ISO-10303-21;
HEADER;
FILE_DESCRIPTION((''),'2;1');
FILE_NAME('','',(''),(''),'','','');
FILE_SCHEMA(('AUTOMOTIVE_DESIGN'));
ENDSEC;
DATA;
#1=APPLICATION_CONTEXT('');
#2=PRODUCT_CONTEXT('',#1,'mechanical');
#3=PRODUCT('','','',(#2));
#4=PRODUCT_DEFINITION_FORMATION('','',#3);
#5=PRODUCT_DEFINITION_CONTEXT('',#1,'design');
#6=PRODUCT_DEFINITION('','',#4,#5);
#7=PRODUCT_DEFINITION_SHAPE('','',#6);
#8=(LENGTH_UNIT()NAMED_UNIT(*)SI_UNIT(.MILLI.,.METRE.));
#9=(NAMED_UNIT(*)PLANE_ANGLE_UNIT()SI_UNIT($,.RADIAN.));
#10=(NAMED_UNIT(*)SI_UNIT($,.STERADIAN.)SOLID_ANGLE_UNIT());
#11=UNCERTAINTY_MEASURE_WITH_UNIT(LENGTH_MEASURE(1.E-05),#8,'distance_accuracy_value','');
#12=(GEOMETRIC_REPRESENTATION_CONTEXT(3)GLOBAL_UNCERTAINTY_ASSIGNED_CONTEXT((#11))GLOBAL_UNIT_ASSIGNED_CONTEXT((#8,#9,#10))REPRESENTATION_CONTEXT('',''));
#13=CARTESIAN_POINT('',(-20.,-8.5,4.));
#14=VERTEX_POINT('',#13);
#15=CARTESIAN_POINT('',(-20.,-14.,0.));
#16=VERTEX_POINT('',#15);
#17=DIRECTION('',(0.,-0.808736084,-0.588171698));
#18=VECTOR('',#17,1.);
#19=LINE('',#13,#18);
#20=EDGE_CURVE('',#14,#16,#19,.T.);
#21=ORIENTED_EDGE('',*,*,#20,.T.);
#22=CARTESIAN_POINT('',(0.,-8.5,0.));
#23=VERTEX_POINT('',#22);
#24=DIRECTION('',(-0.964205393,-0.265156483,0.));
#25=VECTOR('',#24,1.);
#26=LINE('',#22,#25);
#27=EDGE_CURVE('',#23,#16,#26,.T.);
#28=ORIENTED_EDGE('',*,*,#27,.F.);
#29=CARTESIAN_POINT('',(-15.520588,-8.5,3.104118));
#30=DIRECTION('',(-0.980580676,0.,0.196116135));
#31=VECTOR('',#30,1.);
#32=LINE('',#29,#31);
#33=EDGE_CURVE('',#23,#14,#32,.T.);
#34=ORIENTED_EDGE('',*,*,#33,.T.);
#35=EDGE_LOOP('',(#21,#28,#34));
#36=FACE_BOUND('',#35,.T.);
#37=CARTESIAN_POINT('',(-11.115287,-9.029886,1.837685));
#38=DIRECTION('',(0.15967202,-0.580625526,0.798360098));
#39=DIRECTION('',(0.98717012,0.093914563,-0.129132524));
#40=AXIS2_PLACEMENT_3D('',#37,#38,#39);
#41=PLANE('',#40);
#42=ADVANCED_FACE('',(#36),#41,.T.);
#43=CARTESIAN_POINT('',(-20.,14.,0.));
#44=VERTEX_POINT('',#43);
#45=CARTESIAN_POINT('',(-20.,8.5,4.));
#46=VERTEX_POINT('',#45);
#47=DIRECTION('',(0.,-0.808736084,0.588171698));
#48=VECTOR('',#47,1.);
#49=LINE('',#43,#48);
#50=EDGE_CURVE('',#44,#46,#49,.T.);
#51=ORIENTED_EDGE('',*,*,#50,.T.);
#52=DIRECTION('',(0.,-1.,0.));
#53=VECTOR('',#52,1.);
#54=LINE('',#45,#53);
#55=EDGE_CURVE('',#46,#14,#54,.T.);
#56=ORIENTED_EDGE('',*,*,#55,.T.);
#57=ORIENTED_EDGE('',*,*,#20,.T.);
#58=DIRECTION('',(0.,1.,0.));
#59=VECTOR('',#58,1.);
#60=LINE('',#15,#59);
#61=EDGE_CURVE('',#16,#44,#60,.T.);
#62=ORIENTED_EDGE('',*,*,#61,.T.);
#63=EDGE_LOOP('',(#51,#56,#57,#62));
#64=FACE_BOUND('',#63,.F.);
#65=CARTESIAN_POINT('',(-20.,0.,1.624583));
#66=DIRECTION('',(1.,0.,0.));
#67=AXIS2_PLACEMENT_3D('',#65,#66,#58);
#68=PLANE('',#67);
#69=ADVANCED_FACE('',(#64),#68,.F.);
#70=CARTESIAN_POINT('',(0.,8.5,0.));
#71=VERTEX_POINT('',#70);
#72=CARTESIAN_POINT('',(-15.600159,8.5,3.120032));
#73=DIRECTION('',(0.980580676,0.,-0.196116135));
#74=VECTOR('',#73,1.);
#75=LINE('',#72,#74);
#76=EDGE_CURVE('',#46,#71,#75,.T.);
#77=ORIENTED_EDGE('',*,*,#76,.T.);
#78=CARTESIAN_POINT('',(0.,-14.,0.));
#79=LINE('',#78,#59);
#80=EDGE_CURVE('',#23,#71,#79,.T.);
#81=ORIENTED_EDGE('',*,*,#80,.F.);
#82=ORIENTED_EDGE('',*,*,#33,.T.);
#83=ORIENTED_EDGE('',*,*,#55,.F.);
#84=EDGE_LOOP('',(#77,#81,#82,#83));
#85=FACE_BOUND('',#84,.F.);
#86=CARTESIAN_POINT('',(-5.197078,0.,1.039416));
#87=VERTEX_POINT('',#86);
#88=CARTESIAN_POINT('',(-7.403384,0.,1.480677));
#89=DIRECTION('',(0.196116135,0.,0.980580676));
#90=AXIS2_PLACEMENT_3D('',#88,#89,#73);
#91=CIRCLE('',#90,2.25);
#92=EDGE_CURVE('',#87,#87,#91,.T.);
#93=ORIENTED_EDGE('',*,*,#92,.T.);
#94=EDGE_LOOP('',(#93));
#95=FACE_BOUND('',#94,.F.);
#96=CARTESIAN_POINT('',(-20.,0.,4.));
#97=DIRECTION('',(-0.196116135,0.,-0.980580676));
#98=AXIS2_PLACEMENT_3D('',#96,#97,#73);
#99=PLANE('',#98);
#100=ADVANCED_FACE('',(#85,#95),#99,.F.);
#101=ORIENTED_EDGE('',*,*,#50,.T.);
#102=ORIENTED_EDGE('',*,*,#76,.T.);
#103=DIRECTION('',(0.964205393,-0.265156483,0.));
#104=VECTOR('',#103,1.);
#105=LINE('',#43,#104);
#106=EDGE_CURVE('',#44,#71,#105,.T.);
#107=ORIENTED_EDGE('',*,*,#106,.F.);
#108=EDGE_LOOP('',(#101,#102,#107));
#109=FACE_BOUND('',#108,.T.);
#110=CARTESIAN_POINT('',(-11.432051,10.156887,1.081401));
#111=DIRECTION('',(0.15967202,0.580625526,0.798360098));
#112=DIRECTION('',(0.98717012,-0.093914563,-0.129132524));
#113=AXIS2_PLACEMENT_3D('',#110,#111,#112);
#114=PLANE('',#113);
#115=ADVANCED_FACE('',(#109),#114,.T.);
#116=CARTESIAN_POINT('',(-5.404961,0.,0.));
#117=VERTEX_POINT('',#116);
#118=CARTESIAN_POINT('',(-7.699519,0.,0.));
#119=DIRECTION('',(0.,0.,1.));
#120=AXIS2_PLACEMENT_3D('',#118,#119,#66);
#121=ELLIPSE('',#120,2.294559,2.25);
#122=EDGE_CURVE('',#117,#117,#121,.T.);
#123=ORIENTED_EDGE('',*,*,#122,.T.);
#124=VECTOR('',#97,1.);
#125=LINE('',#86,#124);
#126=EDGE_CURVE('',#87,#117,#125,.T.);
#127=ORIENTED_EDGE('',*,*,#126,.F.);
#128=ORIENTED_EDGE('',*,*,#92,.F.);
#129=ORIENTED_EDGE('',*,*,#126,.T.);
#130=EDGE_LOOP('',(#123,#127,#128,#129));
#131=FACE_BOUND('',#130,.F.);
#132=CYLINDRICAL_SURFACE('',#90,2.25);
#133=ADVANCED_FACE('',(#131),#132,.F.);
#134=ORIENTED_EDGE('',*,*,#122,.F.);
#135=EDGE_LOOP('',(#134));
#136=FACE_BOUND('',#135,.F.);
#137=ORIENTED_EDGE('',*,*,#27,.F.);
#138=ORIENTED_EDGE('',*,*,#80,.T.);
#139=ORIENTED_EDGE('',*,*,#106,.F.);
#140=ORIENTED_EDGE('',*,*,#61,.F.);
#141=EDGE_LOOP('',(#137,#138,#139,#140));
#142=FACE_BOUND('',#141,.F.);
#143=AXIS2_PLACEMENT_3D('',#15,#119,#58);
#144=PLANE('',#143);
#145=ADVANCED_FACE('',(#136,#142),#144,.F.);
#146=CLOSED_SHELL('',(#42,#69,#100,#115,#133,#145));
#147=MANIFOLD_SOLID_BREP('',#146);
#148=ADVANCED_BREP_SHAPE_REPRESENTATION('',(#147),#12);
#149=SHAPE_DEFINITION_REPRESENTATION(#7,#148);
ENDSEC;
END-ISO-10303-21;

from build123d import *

# Parameters (mm, degrees)
F3_DEPTH  = 20
F4_DEPTH  = 25
F6_DEPTH  = 12.5
F8_W      = 30.1884743385
F8_H      = 13.3378984174
F9_DEPTH  = 25
F11_W     = 24.1160430014
F11_H     = 17.3639170825
F12_DEPTH = 25
F13_R     = 2.25
F14_DEPTH = 25


with BuildPart() as f3:
    # F2 (on line) → F3 (new body)
    with BuildSketch(Plane.YZ.offset(-20)):
        Polygon((-14, 0), (14, 0), (8.5, 4), (-8.5, 4), align=None)
    extrude(amount=F3_DEPTH)

    # F0 (on Top) → F4 (cut)
    with BuildSketch(Plane.XY):
        Polygon((0, -14), (0, -8.5), (-20, -14), align=None)
        Polygon((-20, 14), (0, 8.5), (0, 14), align=None)
    extrude(amount=F4_DEPTH, mode=Mode.SUBTRACT)

    # F5 (on Front) → F6 (cut, symmetric)
    with BuildSketch(Plane.XZ):
        Polygon((-20, 4), (0, 0), (0, 4), align=None)
    extrude(amount=F6_DEPTH, both=True, mode=Mode.SUBTRACT)

    # F8 (on 3pt) → F9 (cut)
    with BuildSketch(Plane(origin=(0.788032027, 2.8655710072, 3.9401601349), x_dir=(0.9871701202, -0.0939145628, -0.1291325238), z_dir=(0.1596720195, 0.5806255255, 0.7983600975))):
        with Locations((-12.3789033387, 7.5781916385)):
            Rectangle(F8_W, F8_H)
    extrude(amount=F9_DEPTH, mode=Mode.SUBTRACT)

    # F11 (on 3pt) → F12 (cut)
    with BuildSketch(Plane(origin=(0.788032027, -2.8655710072, 3.9401601349), x_dir=(0.9871701202, 0.0939145628, -0.1291325238), z_dir=(0.1596720195, -0.5806255255, 0.7983600975))):
        with Locations((-12.0580215007, -6.2219202518)):
            Rectangle(F11_W, F11_H)
    extrude(amount=F12_DEPTH, mode=Mode.SUBTRACT)

    # F13 (on face) → F14 (cut)
    with BuildSketch(Plane(origin=(0, 0, 0), x_dir=(0.9805806757, 0, -0.1961161351), z_dir=(0.1961161351, 0, 0.9805806757))):
        with Locations((-7.55, 0)):
            Circle(F13_R)
    extrude(amount=-F14_DEPTH, mode=Mode.SUBTRACT)


solid = f3.part
